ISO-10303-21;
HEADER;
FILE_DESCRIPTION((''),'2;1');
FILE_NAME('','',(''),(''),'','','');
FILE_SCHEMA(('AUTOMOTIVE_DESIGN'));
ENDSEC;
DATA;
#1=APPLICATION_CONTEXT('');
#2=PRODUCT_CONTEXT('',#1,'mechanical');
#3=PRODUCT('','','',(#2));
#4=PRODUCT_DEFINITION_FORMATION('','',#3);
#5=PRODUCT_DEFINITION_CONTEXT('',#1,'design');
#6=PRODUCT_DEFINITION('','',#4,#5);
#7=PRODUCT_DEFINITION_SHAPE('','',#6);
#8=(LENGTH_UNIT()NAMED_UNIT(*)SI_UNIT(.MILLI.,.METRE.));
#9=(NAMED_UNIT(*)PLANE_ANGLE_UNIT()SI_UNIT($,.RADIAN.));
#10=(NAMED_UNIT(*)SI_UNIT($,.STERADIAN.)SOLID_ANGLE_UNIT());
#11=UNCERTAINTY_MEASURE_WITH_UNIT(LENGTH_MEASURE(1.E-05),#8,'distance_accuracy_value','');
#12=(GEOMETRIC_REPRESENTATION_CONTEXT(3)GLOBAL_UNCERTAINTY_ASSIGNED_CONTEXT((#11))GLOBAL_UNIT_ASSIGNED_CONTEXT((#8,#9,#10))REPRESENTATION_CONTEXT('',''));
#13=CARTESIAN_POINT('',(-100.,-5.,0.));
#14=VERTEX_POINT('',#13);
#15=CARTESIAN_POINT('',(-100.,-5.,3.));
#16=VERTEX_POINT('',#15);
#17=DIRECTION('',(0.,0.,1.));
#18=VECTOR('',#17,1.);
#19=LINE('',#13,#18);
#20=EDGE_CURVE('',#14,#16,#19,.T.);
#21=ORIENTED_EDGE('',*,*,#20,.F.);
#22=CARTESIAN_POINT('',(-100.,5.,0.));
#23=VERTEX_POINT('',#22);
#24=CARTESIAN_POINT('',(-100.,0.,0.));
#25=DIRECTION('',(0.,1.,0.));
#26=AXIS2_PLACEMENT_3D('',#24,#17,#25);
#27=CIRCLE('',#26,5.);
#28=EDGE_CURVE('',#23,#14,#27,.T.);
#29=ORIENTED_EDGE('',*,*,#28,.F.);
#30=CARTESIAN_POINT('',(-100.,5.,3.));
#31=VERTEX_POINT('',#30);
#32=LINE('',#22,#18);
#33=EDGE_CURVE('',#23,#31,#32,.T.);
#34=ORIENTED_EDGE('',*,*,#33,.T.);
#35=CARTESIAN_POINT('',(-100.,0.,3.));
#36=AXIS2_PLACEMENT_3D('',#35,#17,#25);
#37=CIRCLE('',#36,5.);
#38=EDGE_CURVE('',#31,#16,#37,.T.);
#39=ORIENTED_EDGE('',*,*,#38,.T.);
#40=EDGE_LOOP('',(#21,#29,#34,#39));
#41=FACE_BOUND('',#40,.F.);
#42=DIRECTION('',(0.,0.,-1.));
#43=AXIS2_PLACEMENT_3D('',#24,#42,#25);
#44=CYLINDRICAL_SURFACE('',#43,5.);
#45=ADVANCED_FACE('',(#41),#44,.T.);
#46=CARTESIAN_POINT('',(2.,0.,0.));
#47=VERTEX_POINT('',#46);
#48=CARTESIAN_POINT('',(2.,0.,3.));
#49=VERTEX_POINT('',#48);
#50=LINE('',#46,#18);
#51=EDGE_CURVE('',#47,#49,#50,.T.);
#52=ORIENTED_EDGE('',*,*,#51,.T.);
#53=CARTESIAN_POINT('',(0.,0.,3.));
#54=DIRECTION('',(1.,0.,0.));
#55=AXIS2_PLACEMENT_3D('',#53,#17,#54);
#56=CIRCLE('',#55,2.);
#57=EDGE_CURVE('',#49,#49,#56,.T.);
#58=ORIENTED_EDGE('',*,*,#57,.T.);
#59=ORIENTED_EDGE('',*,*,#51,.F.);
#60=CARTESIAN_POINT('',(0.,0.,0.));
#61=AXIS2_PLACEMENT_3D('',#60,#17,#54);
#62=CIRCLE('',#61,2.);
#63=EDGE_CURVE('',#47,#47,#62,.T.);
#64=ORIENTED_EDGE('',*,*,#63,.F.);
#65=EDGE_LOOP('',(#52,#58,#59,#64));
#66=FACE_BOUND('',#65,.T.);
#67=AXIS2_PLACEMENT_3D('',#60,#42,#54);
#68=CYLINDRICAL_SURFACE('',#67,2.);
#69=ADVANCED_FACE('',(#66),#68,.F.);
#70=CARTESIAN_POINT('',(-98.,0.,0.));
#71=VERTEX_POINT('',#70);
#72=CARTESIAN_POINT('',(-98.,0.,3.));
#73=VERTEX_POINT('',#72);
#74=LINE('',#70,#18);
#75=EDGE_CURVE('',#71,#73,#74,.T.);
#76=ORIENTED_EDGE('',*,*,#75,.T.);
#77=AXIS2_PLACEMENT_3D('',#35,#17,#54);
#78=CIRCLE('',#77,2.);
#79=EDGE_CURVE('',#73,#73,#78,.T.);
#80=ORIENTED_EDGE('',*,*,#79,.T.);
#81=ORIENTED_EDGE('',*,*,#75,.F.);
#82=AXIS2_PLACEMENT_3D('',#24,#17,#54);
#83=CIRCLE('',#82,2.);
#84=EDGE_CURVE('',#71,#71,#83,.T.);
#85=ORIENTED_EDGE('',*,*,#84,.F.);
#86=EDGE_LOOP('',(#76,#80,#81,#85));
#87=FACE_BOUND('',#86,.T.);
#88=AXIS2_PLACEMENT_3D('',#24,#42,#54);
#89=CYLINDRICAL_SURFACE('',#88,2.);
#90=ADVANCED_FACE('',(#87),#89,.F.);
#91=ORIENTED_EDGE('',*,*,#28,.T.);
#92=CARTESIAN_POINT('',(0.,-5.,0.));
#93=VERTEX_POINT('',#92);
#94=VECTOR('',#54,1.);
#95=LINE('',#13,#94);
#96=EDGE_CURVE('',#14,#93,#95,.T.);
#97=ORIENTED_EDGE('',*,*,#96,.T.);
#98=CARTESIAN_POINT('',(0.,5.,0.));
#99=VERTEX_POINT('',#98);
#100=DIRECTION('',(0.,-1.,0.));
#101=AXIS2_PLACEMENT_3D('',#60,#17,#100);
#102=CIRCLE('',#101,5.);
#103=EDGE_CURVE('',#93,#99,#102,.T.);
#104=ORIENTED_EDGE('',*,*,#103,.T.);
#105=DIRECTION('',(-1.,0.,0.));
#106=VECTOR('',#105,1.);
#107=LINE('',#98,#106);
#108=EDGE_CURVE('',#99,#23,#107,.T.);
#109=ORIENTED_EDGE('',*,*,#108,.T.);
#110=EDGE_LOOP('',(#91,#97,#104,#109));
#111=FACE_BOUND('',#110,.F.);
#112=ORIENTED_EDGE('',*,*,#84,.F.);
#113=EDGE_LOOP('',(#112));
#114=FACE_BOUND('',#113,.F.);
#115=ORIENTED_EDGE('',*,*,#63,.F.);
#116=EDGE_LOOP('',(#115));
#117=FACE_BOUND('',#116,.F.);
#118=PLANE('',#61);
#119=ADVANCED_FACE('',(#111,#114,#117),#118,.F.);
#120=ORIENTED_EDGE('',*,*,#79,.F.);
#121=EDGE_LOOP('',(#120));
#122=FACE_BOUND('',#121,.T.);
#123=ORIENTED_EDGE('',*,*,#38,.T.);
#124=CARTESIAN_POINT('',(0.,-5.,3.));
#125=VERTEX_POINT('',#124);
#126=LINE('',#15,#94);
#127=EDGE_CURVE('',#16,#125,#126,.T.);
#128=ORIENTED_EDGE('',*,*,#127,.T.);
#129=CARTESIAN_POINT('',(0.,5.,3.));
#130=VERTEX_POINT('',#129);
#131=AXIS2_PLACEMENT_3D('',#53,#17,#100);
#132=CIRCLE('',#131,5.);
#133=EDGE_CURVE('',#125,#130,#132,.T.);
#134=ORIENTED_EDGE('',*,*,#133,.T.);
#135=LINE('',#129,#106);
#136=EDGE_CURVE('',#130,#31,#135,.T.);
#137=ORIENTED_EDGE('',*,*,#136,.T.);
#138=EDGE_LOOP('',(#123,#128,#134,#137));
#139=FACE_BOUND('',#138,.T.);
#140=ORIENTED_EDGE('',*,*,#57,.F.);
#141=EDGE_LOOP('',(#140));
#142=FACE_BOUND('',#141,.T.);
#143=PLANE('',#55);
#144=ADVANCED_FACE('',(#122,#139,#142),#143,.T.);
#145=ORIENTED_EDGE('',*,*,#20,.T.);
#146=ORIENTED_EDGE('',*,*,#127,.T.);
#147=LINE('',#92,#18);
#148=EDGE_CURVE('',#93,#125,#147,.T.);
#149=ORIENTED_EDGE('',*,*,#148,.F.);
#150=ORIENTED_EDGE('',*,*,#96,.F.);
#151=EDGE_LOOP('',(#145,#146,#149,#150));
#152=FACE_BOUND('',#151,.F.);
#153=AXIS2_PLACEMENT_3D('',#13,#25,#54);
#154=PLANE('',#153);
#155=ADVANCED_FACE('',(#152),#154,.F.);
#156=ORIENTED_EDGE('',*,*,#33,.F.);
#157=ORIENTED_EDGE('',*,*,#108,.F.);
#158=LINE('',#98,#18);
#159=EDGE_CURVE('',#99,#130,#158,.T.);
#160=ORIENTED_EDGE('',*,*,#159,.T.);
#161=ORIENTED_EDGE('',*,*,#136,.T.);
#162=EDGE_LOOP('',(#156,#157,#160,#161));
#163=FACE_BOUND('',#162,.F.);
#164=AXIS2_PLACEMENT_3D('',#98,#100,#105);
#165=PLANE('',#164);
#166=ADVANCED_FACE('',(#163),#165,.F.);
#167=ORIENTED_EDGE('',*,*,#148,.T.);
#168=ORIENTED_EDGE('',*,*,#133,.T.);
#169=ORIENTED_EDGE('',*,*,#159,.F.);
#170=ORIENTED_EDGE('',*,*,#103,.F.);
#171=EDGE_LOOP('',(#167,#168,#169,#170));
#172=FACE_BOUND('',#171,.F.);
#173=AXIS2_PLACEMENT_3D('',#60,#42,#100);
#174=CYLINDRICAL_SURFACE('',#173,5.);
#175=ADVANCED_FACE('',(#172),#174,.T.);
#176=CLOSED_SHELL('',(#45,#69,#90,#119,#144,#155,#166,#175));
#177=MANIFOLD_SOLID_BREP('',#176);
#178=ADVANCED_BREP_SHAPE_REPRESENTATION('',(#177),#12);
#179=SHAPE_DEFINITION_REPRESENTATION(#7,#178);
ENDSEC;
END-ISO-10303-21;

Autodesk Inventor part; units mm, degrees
ref_plane "YZ Plane" through (0, 0, 0) normal (1, 0, 0) x (0, 1, 0)
ref_plane "XZ Plane" through (0, 0, 0) normal (0, 1, 0) x (-1, 0, 0)
ref_plane "XY Plane" through (0, 0, 0) normal (0, 0, 1) x (1, 0, 0)
sketch "草圖1" plane through (0, 0, 0) normal (0, 0, 1) x (1, 0, 0)
  line L0 (0, 0) -> (-100, 0) construction
  line L1 (0, 5) -> (-100, 5)
  line L2 (-100, -5) -> (0, -5)
  arc A0 (0, -5) -> (0, 5) centre (0, 0) ccw
  arc A1 (-100, 5) -> (-100, -5) centre (-100, 0) ccw
  circle A2 centre (-100, 0) radius 2
  circle A3 centre (0, 0) radius 2
  point P0 (-50, 0)
  dimension "d0" = 100
  dimension "d1" = 4
  dimension "d2" = 4
  dimension "d3" = 10
extrude "擠出1" add sketch "草圖1" along normal blind 3
